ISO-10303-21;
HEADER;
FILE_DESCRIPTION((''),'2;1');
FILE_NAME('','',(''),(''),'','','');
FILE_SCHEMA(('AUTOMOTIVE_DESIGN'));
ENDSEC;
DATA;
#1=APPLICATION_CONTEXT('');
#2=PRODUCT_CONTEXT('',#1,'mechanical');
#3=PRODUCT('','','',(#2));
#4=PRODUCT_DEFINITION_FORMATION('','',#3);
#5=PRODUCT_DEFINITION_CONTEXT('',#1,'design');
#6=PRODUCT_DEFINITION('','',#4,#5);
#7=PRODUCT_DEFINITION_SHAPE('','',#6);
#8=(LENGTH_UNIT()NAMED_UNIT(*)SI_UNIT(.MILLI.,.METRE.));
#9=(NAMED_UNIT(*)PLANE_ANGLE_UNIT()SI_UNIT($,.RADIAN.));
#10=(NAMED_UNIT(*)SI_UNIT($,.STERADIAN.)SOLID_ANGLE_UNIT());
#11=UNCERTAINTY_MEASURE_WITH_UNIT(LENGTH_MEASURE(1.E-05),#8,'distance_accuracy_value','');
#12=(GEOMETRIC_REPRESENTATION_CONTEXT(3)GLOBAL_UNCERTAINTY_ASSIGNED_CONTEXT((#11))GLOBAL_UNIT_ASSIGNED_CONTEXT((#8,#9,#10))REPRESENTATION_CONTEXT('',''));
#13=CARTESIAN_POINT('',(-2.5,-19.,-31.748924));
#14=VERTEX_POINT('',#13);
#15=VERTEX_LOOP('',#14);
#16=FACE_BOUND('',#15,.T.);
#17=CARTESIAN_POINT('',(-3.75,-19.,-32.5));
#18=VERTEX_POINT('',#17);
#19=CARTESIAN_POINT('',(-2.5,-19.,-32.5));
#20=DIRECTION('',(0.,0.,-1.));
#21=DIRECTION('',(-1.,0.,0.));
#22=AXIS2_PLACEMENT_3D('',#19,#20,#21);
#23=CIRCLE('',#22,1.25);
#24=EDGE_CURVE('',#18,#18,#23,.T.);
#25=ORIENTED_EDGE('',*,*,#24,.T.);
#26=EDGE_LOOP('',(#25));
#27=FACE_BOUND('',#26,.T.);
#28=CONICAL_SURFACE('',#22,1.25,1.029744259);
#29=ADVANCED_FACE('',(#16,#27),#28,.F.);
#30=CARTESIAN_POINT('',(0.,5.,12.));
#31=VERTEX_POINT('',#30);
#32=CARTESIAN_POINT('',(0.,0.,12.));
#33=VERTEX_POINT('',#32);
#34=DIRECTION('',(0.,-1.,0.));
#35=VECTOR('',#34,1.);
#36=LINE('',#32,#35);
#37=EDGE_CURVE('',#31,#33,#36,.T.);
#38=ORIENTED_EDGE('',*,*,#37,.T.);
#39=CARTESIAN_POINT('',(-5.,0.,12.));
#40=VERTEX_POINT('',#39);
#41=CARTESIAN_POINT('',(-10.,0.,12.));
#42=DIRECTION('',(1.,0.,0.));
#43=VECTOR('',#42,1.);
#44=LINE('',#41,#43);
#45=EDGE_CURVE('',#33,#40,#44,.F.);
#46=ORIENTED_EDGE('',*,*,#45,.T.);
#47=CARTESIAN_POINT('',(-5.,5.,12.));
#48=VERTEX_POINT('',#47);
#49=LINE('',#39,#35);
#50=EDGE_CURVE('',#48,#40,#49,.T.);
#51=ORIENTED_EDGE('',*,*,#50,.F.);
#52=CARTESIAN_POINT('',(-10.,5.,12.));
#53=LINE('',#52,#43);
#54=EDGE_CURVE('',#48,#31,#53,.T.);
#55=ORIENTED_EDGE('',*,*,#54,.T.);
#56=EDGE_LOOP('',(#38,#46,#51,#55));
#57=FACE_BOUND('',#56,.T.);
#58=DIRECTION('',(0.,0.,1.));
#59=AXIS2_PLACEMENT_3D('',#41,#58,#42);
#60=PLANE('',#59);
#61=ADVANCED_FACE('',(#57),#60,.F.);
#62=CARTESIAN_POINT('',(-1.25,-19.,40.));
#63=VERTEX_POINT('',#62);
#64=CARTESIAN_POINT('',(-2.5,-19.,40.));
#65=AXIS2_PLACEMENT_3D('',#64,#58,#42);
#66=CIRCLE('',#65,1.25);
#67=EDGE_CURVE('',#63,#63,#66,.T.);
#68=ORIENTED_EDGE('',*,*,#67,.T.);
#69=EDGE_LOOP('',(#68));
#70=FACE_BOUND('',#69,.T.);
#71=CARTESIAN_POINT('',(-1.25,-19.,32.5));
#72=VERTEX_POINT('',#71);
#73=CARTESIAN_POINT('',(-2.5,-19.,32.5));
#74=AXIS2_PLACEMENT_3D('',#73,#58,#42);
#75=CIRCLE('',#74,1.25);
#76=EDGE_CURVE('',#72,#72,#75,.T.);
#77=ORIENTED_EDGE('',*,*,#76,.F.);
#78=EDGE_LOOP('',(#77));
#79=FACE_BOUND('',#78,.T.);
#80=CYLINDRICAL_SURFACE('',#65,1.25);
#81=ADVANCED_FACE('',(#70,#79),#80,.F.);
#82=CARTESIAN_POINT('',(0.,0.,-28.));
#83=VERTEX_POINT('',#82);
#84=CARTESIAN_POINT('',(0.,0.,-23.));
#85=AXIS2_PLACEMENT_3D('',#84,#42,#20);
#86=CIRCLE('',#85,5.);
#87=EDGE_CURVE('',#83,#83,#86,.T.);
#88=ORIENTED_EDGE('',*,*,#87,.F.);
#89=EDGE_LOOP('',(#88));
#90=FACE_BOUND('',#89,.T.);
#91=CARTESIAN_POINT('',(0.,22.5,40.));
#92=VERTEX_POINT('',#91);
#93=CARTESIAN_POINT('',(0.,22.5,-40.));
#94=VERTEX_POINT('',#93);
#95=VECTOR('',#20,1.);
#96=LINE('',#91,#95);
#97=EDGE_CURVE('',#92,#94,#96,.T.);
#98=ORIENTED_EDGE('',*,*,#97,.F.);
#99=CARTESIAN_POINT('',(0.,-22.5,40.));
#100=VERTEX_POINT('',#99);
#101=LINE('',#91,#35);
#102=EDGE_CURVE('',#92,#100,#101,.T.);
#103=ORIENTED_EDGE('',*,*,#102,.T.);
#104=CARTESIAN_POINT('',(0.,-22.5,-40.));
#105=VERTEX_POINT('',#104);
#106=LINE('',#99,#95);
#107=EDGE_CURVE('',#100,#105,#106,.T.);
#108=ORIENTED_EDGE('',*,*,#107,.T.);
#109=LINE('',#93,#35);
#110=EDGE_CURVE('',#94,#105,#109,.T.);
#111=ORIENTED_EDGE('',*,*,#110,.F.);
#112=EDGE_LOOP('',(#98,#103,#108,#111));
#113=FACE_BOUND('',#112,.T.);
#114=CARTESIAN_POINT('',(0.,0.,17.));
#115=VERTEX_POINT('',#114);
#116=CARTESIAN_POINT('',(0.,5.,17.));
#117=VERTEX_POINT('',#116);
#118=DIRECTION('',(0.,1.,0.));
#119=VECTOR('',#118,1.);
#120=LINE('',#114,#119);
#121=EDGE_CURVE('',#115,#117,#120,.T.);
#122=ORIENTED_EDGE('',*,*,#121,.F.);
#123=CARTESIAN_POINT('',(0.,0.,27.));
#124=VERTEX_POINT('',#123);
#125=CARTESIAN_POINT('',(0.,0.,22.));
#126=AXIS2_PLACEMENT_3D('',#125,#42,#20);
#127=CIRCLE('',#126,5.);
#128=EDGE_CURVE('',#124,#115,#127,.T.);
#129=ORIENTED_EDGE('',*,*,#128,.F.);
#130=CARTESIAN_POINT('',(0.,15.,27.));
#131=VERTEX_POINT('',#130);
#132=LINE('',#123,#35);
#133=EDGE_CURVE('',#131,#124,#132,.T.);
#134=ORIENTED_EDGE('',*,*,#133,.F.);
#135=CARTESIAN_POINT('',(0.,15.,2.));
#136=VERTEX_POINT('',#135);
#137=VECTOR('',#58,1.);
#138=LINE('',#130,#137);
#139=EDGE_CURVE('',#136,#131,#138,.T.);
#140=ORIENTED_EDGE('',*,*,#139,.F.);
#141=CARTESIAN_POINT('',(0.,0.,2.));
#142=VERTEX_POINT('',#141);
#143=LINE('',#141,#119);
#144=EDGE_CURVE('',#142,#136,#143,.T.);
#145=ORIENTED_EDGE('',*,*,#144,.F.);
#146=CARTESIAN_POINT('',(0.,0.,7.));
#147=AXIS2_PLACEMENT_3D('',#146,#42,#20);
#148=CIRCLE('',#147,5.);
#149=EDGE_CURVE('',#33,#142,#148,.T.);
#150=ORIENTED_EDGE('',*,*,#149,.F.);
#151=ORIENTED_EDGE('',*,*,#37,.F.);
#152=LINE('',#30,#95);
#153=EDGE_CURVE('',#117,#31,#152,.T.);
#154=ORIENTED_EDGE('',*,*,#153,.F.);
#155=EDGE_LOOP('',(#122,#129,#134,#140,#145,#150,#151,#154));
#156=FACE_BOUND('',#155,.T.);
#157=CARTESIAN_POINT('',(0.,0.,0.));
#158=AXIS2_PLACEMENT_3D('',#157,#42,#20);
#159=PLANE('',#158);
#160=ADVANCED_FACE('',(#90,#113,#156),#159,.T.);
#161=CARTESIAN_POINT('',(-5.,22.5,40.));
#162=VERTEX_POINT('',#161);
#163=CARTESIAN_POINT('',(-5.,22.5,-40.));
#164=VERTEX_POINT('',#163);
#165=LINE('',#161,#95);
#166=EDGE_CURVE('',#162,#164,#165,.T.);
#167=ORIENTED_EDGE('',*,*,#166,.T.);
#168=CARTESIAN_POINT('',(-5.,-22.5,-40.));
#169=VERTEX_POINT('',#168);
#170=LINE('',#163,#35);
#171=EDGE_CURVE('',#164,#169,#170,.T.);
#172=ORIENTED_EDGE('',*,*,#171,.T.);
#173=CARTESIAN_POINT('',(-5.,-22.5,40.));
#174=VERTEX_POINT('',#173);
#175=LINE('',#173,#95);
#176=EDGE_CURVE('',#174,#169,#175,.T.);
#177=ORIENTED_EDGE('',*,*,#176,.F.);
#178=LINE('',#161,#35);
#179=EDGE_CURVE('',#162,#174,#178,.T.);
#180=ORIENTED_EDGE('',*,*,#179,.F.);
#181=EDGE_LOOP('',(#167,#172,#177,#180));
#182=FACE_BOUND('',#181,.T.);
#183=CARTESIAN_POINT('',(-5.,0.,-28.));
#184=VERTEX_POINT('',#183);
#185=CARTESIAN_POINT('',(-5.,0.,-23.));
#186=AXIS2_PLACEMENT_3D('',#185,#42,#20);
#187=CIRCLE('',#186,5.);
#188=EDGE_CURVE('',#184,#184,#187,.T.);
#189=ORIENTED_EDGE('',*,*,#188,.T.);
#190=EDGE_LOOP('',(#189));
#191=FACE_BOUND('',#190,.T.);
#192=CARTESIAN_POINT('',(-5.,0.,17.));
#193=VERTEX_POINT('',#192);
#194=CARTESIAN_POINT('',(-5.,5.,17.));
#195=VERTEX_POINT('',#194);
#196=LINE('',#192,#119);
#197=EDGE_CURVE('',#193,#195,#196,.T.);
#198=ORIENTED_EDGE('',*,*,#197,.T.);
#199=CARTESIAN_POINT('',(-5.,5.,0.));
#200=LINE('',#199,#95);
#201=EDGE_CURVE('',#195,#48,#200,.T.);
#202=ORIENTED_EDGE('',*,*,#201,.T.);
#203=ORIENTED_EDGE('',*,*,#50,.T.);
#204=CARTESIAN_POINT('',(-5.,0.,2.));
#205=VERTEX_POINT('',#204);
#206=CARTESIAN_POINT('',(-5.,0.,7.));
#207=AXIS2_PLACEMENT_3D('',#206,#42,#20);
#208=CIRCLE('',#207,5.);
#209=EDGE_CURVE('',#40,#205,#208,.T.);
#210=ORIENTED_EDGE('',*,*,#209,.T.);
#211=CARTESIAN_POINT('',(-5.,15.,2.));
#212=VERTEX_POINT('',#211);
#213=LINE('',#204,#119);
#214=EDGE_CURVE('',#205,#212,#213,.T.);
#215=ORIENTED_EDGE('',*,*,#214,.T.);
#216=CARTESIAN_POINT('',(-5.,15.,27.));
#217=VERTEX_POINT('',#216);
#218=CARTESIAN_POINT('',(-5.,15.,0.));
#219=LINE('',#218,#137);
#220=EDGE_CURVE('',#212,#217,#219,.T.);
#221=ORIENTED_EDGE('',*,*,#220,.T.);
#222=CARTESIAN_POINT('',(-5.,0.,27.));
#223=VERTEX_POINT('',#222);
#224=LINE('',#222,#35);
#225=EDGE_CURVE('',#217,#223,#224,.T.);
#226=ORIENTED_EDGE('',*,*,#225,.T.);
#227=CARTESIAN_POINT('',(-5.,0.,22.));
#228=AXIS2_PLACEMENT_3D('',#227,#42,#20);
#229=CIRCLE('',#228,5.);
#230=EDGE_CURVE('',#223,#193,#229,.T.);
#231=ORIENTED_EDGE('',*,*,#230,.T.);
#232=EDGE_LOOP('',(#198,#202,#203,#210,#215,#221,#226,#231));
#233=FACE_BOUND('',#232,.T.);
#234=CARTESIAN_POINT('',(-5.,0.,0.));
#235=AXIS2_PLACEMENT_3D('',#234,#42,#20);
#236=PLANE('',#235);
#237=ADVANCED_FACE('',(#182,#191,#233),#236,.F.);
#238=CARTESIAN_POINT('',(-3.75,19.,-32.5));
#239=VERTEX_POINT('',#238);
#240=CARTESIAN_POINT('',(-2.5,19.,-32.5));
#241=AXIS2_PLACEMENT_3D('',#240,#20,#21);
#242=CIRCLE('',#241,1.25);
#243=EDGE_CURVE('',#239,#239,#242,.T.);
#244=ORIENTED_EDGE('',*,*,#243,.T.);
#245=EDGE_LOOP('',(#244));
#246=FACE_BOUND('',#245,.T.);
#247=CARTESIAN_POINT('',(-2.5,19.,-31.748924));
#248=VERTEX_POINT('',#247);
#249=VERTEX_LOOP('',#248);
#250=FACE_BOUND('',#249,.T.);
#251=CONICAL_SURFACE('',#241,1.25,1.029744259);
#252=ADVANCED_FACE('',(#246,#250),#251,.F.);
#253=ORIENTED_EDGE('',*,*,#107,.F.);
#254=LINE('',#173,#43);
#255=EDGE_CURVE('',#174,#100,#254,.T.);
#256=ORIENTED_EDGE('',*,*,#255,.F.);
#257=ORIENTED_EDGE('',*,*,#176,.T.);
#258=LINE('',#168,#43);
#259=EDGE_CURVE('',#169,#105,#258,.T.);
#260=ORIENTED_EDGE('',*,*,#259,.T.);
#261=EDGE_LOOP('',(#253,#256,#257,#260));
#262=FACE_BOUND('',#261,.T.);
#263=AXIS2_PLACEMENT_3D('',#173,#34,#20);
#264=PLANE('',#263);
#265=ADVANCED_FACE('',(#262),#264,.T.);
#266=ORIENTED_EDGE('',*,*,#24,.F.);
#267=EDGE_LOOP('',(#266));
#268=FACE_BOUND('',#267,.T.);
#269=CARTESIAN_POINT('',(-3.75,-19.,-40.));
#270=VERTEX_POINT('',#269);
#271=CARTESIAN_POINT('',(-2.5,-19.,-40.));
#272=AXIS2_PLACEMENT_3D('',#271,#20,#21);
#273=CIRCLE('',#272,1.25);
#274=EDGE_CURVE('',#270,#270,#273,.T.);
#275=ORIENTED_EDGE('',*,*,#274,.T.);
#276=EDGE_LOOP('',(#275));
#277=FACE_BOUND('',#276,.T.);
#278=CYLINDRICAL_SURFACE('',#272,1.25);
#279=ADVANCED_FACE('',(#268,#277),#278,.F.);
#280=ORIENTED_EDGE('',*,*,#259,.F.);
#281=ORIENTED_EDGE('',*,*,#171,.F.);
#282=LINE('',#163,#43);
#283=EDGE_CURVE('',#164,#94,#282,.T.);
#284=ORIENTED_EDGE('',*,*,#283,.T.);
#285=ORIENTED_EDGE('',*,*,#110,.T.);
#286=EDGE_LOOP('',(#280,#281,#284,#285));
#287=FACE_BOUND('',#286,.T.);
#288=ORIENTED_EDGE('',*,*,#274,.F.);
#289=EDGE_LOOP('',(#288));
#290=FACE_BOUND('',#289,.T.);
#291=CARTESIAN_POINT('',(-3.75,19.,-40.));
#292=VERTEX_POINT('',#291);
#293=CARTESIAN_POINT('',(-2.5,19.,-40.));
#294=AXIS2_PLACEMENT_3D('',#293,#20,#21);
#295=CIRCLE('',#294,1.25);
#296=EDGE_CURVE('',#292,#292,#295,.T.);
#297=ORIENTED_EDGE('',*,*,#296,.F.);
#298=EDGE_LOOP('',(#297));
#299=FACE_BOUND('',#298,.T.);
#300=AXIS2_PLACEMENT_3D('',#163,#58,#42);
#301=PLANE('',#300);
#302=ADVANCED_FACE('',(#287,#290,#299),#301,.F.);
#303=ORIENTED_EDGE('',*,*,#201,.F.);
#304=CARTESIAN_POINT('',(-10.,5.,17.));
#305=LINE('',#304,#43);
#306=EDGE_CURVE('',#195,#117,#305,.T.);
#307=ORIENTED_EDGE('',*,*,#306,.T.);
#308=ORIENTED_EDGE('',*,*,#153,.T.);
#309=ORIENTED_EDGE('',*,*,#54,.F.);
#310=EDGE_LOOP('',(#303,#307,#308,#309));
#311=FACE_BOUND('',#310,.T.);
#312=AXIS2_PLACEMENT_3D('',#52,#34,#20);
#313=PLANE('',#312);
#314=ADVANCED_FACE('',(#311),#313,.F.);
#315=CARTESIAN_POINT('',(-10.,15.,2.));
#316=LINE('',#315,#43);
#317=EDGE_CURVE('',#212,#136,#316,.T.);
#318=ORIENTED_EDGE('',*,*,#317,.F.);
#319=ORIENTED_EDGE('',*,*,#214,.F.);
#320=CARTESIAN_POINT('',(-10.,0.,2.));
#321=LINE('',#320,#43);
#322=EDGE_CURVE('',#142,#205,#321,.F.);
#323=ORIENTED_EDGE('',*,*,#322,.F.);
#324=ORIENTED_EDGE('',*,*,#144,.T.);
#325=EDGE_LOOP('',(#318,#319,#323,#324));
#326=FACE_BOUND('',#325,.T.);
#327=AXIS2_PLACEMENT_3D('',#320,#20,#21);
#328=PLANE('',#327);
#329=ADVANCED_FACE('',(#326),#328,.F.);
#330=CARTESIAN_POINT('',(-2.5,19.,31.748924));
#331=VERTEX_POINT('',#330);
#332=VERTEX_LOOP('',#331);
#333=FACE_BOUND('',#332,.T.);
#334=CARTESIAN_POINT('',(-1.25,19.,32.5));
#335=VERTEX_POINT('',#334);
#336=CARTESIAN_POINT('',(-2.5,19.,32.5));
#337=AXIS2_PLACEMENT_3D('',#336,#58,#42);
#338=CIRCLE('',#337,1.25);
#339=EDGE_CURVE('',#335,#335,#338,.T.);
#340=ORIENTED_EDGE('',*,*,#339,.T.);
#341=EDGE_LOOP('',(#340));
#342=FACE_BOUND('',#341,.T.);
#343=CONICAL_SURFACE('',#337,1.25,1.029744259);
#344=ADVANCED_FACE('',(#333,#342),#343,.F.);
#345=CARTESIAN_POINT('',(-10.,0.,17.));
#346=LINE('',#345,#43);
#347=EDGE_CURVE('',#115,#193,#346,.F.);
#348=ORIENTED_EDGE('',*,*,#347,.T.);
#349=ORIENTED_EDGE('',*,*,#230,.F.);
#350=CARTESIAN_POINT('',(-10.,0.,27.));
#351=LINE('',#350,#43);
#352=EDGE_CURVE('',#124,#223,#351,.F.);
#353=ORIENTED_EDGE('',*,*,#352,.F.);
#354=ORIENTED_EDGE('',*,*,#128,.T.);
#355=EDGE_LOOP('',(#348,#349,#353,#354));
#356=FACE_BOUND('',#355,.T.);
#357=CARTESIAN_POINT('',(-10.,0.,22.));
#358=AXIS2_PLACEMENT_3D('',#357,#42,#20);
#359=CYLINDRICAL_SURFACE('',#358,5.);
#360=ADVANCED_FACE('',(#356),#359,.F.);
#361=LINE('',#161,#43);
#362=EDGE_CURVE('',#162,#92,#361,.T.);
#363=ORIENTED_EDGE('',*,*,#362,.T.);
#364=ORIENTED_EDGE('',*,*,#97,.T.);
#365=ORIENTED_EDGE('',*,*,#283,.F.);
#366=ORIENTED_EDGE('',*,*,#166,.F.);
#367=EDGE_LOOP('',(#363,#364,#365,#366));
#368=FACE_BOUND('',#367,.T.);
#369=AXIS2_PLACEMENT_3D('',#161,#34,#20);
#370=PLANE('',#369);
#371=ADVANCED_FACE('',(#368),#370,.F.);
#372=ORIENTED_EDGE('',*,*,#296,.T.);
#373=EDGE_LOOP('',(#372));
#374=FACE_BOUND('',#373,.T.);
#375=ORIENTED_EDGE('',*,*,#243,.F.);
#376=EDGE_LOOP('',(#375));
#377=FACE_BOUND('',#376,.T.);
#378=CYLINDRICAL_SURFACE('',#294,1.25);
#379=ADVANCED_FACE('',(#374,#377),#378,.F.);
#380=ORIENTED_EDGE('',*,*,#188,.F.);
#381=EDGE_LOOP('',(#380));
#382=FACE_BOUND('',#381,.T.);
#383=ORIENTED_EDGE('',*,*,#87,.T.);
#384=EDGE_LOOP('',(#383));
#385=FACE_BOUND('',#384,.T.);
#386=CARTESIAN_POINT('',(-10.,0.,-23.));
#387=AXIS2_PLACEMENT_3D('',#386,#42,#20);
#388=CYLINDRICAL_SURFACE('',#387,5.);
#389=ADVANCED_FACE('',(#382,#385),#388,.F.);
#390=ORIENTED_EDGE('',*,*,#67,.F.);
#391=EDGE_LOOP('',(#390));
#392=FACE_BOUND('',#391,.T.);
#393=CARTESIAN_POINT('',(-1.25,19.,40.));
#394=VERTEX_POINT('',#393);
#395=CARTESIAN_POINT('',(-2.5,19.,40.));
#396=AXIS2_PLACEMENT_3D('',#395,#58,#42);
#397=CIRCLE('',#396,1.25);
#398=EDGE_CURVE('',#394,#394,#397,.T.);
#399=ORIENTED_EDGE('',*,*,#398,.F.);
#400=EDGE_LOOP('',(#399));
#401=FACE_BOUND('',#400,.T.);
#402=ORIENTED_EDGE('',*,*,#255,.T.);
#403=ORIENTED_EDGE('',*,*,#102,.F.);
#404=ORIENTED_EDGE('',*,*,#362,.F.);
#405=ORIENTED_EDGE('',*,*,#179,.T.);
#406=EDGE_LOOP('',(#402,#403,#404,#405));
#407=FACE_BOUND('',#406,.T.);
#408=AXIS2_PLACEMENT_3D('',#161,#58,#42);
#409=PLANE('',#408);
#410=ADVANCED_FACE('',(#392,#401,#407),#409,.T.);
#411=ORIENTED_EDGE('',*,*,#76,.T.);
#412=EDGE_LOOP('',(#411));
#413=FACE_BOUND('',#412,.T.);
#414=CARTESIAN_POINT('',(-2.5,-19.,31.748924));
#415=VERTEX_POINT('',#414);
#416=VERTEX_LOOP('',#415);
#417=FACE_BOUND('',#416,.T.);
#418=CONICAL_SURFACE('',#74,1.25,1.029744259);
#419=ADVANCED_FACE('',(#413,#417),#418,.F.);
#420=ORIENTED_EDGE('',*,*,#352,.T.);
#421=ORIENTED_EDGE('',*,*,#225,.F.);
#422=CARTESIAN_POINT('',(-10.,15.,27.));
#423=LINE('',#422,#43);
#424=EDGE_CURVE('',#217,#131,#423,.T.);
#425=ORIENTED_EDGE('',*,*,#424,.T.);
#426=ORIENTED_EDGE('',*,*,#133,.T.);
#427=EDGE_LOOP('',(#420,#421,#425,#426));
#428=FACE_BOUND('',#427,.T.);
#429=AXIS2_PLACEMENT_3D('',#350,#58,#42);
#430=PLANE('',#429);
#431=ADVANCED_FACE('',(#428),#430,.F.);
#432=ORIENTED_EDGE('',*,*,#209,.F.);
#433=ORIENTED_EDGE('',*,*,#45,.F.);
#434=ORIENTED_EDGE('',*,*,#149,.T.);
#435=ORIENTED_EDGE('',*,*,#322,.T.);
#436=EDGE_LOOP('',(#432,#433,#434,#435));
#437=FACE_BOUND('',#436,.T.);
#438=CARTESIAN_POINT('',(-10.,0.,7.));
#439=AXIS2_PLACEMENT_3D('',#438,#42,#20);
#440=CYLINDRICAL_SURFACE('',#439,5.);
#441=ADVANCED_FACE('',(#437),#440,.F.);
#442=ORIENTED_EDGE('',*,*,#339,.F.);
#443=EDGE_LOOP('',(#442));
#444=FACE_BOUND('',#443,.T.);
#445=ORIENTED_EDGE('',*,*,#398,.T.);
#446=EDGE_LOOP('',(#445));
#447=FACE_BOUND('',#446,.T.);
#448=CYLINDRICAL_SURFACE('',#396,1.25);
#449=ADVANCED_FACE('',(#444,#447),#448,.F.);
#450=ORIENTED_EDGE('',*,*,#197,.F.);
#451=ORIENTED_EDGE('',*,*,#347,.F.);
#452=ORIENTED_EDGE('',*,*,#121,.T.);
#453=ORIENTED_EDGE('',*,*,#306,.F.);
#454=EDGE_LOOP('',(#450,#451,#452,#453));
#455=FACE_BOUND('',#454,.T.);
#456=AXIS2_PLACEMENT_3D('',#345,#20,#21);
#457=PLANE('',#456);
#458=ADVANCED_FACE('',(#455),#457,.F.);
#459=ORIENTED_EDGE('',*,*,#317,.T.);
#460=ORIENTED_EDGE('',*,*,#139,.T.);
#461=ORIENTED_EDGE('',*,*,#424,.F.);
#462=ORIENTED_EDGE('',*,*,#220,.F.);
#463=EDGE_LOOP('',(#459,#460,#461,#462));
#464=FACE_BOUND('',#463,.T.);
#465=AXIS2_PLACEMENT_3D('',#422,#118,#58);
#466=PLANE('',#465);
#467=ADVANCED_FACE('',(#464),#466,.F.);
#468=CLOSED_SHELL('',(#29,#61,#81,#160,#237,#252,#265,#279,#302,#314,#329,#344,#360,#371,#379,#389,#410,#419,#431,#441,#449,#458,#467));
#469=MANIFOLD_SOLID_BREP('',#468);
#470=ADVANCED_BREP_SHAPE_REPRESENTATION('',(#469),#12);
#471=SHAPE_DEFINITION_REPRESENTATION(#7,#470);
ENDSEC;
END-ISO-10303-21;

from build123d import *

# Parameters (mm, degrees)
SKETCH_2_W                  = 80
SKETCH_2_H                  = 45
EXTRUDE_2_DEPTH             = 5
HOLE_WIZARD_M3_1_AT_2_COUNT = 2
HOLE_WIZARD_M3_1_AT_2_PITCH = 38
SKETCH_5_R                  = 5
CUT_EXTRUDE_1_DEPTH         = 10
CUT_EXTRUDE_2_DEPTH         = 10


with BuildPart() as part:
    # 草图2 → 凸台-拉伸2 (new body)
    with BuildSketch(Plane(origin=(0, 0, 0), x_dir=(0, 0, -1), z_dir=(1, 0, 0))):
        Rectangle(SKETCH_2_W, SKETCH_2_H)
    extrude(amount=-EXTRUDE_2_DEPTH)

    # 草图12 → M3 螺纹孔1 (revolve, cut)
    with BuildSketch(Plane(origin=(-2.5, 19, 40), x_dir=(0, -1, 0), z_dir=(1, 0, 0))):
        Polygon((0, 0), (0, 8.251075774), (1.25, 7.5), (1.25, 0), align=None)
    hole_wizard_m3_1 = revolve(axis=Axis((-2.5, 19, 46.35), (0, 0, -1)), mode=Mode.SUBTRACT)

    # M3 螺纹孔1 at 2: M3 螺纹孔1 ×2
    with Locations(*[(0, -i * HOLE_WIZARD_M3_1_AT_2_PITCH, 0) for i in range(1, HOLE_WIZARD_M3_1_AT_2_COUNT)]):
        add(hole_wizard_m3_1, mode=Mode.SUBTRACT)

    # 镜向1: M3 螺纹孔1 across plane
    add(hole_wizard_m3_1.mirror(Plane.XY), mode=Mode.SUBTRACT)

    # 镜向1 copy 1 sketch → 镜向1 copy 1 (revolve, cut)
    with BuildSketch(Plane(origin=(-2.5, -19, -40), x_dir=(0, -1, 0), z_dir=(1, 0, 0))):
        Polygon((0, 0), (0, -8.251075774), (1.25, -7.5), (1.25, 0), align=None)
    revolve(axis=Axis((-2.5, -19, -46.35), (0, 0, -1)), mode=Mode.SUBTRACT)

    # 草图5 → 切除-拉伸1 (cut)
    with BuildSketch(Plane(origin=(0, 0, 0), x_dir=(0, 0, -1), z_dir=(1, 0, 0))):
        with Locations((-7, 0)):
            Circle(SKETCH_5_R)
        with Locations((23, 0)):
            Circle(SKETCH_5_R)
        with Locations((-22, 0)):
            Circle(SKETCH_5_R)
    extrude(amount=-CUT_EXTRUDE_1_DEPTH, mode=Mode.SUBTRACT)

    # 草图13 → 切除-拉伸2 (cut)
    with BuildSketch(Plane(origin=(0, 0, 0), x_dir=(0, 0, -1), z_dir=(1, 0, 0))):
        Polygon((-27, 0), (-27, 15), (-13.340798137, 15), (-4.226787528, 15), (-2, 15), (-2, 0), (-12, 0), (-12, 5), (-17, 5), (-17, 0), align=None)
    extrude(amount=-CUT_EXTRUDE_2_DEPTH, mode=Mode.SUBTRACT)


solid = part.part
